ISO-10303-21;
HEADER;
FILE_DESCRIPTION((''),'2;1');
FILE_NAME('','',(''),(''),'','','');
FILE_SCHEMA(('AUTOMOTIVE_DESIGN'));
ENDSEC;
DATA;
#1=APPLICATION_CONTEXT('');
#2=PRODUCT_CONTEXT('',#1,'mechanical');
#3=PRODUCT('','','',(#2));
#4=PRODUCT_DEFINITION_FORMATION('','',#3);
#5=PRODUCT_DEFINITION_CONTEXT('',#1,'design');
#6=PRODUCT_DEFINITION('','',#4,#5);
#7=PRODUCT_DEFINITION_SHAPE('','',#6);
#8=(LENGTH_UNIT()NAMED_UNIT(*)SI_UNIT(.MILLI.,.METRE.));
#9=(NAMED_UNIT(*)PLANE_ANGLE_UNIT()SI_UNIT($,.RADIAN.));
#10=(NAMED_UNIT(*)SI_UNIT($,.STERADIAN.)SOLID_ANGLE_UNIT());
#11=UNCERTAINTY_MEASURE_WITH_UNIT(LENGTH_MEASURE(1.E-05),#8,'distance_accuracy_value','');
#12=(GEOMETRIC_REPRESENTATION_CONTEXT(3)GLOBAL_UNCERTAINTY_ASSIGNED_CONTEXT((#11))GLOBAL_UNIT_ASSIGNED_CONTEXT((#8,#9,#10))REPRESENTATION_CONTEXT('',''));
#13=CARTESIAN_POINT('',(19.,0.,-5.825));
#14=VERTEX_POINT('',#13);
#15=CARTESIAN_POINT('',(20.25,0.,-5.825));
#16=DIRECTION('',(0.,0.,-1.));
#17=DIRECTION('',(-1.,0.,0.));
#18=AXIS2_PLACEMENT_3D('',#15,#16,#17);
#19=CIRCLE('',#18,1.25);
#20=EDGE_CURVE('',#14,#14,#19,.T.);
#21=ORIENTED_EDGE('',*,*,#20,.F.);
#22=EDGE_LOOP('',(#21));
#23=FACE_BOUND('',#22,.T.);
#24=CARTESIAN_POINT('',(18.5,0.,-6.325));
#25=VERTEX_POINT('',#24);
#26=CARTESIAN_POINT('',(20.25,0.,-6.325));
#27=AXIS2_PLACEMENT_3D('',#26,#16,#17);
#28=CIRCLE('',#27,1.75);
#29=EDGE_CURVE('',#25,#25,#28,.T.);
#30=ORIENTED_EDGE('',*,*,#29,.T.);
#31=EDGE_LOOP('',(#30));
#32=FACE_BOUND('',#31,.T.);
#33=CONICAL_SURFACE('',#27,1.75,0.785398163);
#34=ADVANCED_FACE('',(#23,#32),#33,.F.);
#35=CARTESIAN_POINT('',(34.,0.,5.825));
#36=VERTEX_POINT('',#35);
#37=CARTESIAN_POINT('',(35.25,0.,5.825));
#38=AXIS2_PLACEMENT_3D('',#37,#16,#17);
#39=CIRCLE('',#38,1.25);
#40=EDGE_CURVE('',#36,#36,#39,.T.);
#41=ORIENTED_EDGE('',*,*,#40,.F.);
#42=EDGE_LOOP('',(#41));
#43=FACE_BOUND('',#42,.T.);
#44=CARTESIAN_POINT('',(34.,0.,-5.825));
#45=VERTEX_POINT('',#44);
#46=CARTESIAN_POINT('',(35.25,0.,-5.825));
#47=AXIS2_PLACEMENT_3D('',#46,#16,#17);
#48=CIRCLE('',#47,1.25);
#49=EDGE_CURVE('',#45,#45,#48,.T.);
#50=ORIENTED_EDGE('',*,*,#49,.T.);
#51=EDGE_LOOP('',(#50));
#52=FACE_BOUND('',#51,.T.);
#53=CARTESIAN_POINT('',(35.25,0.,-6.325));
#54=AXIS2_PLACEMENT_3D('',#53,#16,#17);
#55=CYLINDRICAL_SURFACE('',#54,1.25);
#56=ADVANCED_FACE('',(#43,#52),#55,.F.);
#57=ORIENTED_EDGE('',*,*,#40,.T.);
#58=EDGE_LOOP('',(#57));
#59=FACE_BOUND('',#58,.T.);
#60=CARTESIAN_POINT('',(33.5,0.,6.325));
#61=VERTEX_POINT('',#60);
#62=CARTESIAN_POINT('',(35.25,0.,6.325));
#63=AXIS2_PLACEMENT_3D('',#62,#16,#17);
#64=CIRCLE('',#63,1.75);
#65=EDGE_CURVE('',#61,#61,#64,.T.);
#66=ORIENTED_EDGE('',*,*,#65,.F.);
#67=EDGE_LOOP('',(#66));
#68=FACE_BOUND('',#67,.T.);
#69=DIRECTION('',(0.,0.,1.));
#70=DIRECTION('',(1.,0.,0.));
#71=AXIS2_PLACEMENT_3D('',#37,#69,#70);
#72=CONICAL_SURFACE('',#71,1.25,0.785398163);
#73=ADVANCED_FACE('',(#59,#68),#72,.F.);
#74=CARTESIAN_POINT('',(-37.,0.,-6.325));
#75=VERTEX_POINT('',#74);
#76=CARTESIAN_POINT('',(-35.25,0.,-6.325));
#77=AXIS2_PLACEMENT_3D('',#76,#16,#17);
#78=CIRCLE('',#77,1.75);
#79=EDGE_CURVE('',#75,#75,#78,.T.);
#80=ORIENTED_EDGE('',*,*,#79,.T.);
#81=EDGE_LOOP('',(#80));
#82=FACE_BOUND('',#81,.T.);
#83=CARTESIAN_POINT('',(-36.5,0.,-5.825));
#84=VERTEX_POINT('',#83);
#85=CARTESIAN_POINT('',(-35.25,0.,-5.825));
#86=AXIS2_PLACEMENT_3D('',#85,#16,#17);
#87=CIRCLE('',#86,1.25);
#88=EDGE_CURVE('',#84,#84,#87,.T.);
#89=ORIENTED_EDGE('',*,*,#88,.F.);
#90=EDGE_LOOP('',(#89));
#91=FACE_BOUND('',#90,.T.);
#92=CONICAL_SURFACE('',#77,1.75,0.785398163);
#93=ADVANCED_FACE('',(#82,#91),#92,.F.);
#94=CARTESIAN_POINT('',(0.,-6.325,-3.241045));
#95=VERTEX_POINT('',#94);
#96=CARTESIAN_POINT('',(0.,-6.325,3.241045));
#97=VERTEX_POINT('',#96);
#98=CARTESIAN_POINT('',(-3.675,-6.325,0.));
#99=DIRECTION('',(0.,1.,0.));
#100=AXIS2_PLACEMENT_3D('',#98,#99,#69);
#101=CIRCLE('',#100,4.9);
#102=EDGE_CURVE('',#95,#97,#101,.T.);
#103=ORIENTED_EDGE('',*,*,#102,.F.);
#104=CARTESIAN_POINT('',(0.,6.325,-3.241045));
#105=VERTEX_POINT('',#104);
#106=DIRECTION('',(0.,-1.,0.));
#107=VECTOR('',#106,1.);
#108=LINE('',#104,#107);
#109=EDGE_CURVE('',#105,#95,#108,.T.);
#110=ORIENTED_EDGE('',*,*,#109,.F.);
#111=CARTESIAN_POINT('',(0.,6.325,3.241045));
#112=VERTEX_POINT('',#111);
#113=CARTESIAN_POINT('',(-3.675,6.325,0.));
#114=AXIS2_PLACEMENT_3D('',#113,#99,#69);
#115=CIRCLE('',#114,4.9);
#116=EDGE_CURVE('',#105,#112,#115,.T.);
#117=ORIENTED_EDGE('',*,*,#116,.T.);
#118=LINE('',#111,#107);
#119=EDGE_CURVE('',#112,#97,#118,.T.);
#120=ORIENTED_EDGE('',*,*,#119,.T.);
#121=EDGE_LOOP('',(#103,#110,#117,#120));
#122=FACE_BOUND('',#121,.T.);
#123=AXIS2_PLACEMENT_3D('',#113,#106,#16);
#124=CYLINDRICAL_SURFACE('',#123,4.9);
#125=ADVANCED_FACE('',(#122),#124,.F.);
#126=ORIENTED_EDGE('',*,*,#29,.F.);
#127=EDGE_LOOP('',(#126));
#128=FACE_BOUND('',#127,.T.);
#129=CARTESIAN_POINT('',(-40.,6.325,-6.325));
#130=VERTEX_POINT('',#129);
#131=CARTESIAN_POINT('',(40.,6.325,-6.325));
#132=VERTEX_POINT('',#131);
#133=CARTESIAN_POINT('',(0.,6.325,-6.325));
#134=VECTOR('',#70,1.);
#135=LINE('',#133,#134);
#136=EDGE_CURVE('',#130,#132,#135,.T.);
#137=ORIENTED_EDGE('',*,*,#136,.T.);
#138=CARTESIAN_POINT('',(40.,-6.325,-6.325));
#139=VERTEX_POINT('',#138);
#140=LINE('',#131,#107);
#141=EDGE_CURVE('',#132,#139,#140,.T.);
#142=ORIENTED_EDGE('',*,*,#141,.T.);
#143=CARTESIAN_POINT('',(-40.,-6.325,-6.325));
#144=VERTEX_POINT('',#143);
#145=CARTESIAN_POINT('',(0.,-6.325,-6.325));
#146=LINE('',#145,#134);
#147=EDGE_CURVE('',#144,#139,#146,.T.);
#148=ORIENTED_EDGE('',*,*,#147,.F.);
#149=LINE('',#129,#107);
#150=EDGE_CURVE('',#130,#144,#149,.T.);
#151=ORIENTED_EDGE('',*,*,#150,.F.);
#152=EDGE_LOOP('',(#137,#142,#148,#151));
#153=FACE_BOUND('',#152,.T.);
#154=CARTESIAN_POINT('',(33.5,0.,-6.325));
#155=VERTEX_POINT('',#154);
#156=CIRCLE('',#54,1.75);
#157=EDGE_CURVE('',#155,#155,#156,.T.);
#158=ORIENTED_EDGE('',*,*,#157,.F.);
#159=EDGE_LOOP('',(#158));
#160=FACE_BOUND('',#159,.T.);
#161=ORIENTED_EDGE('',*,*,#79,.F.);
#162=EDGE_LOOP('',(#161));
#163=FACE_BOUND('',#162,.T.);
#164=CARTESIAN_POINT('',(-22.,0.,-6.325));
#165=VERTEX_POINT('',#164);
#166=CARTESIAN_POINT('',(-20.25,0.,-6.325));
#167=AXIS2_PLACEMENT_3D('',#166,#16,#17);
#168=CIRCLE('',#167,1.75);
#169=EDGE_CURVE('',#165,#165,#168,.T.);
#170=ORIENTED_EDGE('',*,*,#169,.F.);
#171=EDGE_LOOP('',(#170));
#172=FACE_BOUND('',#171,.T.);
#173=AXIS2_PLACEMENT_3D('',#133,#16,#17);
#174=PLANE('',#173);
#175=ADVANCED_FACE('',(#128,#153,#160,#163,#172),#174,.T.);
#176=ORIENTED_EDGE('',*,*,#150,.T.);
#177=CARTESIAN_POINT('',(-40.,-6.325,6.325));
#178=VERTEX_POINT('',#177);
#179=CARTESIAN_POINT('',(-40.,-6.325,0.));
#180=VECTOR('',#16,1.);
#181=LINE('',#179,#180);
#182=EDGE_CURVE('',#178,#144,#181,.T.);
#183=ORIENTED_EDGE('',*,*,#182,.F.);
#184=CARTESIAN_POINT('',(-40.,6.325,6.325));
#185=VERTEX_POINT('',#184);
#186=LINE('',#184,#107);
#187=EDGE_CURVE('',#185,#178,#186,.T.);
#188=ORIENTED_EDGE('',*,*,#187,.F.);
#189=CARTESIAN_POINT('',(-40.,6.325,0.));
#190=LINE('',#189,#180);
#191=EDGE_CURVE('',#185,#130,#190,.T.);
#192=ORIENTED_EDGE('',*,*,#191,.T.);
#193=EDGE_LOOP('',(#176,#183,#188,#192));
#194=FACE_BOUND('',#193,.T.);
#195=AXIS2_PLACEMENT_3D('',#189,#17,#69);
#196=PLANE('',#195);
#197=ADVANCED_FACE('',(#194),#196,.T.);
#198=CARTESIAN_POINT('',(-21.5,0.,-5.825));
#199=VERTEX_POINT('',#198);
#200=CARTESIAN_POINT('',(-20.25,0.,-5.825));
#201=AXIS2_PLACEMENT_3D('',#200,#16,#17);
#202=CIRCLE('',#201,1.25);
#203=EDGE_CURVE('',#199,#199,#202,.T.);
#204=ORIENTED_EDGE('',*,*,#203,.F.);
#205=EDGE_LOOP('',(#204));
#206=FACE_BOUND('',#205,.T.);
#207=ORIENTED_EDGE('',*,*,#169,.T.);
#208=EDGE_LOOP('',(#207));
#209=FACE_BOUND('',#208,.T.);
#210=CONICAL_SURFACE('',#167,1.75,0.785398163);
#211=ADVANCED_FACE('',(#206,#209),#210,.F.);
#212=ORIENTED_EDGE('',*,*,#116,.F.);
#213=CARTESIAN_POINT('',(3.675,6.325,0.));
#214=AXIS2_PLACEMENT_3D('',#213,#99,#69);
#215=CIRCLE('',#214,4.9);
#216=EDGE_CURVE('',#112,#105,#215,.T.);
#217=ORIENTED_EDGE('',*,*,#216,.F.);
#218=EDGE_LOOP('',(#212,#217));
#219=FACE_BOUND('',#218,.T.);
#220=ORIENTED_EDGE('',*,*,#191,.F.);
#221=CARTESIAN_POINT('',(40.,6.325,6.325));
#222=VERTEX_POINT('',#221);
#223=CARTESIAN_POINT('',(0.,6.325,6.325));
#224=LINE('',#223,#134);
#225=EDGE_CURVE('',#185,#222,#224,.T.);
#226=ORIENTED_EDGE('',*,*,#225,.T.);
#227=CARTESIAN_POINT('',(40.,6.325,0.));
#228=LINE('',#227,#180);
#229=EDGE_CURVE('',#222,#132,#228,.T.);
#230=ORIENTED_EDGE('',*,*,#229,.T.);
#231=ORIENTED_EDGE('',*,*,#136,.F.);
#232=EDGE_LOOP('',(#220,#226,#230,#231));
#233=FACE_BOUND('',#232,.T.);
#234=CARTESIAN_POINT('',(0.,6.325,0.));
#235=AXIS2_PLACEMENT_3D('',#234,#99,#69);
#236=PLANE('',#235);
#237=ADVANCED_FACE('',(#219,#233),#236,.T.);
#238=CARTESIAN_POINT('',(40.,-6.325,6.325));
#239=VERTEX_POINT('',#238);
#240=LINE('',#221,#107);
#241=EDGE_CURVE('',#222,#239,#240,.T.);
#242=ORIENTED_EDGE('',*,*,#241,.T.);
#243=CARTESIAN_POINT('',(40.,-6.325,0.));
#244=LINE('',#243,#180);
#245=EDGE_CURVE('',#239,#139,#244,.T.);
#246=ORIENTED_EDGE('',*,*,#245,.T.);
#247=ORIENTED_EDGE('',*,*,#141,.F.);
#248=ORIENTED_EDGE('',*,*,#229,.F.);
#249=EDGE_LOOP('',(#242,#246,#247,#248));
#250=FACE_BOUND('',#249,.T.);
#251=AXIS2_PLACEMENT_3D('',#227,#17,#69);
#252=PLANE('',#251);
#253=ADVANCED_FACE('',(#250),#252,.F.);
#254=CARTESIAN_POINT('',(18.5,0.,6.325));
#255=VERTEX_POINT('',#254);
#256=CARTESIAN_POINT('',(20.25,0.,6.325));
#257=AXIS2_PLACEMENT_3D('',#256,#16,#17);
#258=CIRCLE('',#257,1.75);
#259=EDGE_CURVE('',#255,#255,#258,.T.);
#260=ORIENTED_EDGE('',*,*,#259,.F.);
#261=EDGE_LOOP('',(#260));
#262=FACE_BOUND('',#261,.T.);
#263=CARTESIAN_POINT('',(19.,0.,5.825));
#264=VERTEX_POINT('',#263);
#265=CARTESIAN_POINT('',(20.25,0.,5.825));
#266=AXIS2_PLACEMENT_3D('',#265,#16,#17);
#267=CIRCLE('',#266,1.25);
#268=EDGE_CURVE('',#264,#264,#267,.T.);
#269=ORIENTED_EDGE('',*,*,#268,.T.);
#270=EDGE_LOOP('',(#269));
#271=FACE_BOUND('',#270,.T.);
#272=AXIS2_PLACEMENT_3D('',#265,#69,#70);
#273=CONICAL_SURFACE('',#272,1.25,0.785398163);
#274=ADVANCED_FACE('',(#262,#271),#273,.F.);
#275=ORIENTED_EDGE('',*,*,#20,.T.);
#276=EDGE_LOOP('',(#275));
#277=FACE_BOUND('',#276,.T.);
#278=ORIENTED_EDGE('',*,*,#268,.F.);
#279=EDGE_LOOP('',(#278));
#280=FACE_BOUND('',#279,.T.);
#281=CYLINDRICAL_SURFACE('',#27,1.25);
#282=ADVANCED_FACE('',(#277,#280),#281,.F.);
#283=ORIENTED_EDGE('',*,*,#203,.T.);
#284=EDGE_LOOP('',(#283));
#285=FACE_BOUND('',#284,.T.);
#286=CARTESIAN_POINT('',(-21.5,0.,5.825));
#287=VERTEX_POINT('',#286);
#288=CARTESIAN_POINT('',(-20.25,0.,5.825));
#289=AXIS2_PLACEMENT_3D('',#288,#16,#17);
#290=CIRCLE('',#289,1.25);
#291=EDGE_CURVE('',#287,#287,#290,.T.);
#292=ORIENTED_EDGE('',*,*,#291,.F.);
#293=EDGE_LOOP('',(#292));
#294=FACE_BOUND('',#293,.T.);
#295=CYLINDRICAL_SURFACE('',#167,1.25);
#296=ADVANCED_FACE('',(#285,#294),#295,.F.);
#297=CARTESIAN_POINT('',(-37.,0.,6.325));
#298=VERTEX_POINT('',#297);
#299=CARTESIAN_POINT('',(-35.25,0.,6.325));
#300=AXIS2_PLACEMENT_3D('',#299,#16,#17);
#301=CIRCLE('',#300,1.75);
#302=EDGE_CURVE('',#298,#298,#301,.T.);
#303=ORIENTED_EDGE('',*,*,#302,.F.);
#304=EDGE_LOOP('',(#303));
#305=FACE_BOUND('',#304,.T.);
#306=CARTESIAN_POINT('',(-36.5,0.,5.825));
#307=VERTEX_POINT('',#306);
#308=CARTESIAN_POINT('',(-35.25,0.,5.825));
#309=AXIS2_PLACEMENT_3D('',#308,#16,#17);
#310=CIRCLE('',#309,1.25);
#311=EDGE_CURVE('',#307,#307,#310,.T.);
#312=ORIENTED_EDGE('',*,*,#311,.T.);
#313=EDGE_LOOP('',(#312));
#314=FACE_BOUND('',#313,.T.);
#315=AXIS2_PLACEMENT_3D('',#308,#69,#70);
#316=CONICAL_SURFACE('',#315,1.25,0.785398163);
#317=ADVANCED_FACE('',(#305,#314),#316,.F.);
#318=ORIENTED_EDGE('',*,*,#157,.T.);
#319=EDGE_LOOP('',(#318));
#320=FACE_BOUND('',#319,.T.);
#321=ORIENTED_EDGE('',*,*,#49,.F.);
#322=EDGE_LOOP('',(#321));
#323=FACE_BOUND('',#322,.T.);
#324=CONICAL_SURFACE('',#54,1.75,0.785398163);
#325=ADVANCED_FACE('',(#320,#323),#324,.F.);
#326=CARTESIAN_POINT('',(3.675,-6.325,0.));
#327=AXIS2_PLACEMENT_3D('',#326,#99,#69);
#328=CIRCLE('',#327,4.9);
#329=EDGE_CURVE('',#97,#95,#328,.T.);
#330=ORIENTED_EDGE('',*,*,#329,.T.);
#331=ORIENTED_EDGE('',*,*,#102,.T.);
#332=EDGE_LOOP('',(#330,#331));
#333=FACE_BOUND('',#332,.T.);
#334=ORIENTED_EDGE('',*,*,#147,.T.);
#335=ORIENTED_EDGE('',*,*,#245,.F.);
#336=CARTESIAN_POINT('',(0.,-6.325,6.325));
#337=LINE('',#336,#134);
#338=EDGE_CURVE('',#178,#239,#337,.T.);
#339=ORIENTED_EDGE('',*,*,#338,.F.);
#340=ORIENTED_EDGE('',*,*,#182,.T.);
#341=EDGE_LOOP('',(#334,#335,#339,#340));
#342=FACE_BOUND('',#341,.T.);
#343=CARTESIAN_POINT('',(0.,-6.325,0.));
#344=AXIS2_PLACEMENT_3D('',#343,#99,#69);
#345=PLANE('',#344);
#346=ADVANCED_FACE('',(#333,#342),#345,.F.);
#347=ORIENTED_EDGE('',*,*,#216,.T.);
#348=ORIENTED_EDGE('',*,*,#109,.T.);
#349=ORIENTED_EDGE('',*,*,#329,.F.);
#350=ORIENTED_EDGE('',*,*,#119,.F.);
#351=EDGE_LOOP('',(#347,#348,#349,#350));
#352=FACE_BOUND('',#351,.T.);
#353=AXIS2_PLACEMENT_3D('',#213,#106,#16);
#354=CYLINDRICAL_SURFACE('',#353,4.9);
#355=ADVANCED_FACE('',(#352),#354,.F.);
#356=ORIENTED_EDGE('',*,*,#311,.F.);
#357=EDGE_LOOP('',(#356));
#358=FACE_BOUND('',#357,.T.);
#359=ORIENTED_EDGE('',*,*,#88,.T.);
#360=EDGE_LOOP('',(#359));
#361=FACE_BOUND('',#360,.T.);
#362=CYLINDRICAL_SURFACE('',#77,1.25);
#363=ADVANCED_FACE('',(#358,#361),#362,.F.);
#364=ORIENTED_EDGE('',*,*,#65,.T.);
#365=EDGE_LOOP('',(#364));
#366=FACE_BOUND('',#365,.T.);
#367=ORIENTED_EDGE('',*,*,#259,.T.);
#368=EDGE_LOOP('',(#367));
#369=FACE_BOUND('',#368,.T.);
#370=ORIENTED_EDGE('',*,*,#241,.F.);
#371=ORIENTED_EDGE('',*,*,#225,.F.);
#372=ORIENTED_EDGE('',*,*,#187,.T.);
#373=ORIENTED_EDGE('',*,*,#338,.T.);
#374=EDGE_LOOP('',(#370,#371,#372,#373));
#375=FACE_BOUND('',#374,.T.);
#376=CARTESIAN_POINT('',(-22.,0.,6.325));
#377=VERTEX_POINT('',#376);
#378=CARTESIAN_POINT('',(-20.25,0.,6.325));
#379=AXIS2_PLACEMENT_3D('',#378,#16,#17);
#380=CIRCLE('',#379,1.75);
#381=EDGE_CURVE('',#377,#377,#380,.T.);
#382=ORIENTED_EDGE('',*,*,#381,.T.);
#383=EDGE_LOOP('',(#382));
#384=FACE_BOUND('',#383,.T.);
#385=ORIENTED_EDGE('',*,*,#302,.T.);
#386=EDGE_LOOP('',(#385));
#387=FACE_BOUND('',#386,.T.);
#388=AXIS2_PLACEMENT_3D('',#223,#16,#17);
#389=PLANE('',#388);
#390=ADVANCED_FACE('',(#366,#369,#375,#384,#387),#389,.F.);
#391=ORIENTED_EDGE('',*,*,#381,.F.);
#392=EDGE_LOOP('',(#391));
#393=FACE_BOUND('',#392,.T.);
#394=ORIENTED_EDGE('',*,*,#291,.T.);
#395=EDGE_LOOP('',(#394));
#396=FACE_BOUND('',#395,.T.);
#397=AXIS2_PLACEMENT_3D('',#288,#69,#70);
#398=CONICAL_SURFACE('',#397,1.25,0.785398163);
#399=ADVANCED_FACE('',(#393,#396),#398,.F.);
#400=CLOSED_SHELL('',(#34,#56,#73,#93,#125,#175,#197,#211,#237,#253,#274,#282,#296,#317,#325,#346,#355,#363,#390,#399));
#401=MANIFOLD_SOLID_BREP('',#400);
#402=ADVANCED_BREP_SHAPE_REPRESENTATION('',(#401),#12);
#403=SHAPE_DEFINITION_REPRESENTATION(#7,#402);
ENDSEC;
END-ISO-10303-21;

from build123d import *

# Parameters (mm, degrees)
SKETCH1_W                  = 80
SKETCH1_H                  = 12.65
BOSS_EXTRUDE1_DEPTH        = 6.325
M3_TAPPED_HOLE1_AT_2_COUNT = 2
M3_TAPPED_HOLE1_AT_2_PITCH = 15
M3_TAPPED_HOLE1_AT_3_COUNT = 2
M3_TAPPED_HOLE1_AT_3_PITCH = 55.5
M3_TAPPED_HOLE1_AT_4_COUNT = 2
M3_TAPPED_HOLE1_AT_4_PITCH = 70.5


with BuildPart() as part:
    # Sketch1 → Boss-Extrude1 (new, symmetric)
    with BuildSketch(Plane(origin=(0, 0, 0), x_dir=(1, 0, 0), z_dir=(0, 1, 0))):
        Rectangle(SKETCH1_W, SKETCH1_H)
        with BuildLine():
            ThreePointArc((0, -3.241045356), (-8.575, 0), (0, 3.241045356))
            ThreePointArc((0, 3.241045356), (5.407411614, 4.583530299), (8.575, 0))
            ThreePointArc((8.575, 0), (5.407411614, -4.583530299), (0, -3.241045356))
        make_face(mode=Mode.SUBTRACT)
    extrude(amount=BOSS_EXTRUDE1_DEPTH, both=True)

    # Sketch5 → M3 Tapped Hole1 (revolve, cut)
    with BuildSketch(Plane(origin=(-35.25, 0, -6.325), x_dir=(0, 1, 0), z_dir=(1, 0, 0))):
        Polygon((0, 0), (0, 12.65), (1.75, 12.65), (1.25, 12.15), (1.25, 0.5), (1.75, 0), align=None)
    m3_tapped_hole1 = revolve(axis=Axis((-35.25, 0, -12.675), (0, 0, 1)), mode=Mode.SUBTRACT)

    # M3 Tapped Hole1 at 2: M3 Tapped Hole1 ×2
    with Locations(*[(i * M3_TAPPED_HOLE1_AT_2_PITCH, 0, 0) for i in range(1, M3_TAPPED_HOLE1_AT_2_COUNT)]):
        add(m3_tapped_hole1, mode=Mode.SUBTRACT)

    # M3 Tapped Hole1 at 3: M3 Tapped Hole1 ×2
    with Locations(*[(i * M3_TAPPED_HOLE1_AT_3_PITCH, 0, 0) for i in range(1, M3_TAPPED_HOLE1_AT_3_COUNT)]):
        add(m3_tapped_hole1, mode=Mode.SUBTRACT)

    # M3 Tapped Hole1 at 4: M3 Tapped Hole1 ×2
    with Locations(*[(i * M3_TAPPED_HOLE1_AT_4_PITCH, 0, 0) for i in range(1, M3_TAPPED_HOLE1_AT_4_COUNT)]):
        add(m3_tapped_hole1, mode=Mode.SUBTRACT)


solid = part.part
